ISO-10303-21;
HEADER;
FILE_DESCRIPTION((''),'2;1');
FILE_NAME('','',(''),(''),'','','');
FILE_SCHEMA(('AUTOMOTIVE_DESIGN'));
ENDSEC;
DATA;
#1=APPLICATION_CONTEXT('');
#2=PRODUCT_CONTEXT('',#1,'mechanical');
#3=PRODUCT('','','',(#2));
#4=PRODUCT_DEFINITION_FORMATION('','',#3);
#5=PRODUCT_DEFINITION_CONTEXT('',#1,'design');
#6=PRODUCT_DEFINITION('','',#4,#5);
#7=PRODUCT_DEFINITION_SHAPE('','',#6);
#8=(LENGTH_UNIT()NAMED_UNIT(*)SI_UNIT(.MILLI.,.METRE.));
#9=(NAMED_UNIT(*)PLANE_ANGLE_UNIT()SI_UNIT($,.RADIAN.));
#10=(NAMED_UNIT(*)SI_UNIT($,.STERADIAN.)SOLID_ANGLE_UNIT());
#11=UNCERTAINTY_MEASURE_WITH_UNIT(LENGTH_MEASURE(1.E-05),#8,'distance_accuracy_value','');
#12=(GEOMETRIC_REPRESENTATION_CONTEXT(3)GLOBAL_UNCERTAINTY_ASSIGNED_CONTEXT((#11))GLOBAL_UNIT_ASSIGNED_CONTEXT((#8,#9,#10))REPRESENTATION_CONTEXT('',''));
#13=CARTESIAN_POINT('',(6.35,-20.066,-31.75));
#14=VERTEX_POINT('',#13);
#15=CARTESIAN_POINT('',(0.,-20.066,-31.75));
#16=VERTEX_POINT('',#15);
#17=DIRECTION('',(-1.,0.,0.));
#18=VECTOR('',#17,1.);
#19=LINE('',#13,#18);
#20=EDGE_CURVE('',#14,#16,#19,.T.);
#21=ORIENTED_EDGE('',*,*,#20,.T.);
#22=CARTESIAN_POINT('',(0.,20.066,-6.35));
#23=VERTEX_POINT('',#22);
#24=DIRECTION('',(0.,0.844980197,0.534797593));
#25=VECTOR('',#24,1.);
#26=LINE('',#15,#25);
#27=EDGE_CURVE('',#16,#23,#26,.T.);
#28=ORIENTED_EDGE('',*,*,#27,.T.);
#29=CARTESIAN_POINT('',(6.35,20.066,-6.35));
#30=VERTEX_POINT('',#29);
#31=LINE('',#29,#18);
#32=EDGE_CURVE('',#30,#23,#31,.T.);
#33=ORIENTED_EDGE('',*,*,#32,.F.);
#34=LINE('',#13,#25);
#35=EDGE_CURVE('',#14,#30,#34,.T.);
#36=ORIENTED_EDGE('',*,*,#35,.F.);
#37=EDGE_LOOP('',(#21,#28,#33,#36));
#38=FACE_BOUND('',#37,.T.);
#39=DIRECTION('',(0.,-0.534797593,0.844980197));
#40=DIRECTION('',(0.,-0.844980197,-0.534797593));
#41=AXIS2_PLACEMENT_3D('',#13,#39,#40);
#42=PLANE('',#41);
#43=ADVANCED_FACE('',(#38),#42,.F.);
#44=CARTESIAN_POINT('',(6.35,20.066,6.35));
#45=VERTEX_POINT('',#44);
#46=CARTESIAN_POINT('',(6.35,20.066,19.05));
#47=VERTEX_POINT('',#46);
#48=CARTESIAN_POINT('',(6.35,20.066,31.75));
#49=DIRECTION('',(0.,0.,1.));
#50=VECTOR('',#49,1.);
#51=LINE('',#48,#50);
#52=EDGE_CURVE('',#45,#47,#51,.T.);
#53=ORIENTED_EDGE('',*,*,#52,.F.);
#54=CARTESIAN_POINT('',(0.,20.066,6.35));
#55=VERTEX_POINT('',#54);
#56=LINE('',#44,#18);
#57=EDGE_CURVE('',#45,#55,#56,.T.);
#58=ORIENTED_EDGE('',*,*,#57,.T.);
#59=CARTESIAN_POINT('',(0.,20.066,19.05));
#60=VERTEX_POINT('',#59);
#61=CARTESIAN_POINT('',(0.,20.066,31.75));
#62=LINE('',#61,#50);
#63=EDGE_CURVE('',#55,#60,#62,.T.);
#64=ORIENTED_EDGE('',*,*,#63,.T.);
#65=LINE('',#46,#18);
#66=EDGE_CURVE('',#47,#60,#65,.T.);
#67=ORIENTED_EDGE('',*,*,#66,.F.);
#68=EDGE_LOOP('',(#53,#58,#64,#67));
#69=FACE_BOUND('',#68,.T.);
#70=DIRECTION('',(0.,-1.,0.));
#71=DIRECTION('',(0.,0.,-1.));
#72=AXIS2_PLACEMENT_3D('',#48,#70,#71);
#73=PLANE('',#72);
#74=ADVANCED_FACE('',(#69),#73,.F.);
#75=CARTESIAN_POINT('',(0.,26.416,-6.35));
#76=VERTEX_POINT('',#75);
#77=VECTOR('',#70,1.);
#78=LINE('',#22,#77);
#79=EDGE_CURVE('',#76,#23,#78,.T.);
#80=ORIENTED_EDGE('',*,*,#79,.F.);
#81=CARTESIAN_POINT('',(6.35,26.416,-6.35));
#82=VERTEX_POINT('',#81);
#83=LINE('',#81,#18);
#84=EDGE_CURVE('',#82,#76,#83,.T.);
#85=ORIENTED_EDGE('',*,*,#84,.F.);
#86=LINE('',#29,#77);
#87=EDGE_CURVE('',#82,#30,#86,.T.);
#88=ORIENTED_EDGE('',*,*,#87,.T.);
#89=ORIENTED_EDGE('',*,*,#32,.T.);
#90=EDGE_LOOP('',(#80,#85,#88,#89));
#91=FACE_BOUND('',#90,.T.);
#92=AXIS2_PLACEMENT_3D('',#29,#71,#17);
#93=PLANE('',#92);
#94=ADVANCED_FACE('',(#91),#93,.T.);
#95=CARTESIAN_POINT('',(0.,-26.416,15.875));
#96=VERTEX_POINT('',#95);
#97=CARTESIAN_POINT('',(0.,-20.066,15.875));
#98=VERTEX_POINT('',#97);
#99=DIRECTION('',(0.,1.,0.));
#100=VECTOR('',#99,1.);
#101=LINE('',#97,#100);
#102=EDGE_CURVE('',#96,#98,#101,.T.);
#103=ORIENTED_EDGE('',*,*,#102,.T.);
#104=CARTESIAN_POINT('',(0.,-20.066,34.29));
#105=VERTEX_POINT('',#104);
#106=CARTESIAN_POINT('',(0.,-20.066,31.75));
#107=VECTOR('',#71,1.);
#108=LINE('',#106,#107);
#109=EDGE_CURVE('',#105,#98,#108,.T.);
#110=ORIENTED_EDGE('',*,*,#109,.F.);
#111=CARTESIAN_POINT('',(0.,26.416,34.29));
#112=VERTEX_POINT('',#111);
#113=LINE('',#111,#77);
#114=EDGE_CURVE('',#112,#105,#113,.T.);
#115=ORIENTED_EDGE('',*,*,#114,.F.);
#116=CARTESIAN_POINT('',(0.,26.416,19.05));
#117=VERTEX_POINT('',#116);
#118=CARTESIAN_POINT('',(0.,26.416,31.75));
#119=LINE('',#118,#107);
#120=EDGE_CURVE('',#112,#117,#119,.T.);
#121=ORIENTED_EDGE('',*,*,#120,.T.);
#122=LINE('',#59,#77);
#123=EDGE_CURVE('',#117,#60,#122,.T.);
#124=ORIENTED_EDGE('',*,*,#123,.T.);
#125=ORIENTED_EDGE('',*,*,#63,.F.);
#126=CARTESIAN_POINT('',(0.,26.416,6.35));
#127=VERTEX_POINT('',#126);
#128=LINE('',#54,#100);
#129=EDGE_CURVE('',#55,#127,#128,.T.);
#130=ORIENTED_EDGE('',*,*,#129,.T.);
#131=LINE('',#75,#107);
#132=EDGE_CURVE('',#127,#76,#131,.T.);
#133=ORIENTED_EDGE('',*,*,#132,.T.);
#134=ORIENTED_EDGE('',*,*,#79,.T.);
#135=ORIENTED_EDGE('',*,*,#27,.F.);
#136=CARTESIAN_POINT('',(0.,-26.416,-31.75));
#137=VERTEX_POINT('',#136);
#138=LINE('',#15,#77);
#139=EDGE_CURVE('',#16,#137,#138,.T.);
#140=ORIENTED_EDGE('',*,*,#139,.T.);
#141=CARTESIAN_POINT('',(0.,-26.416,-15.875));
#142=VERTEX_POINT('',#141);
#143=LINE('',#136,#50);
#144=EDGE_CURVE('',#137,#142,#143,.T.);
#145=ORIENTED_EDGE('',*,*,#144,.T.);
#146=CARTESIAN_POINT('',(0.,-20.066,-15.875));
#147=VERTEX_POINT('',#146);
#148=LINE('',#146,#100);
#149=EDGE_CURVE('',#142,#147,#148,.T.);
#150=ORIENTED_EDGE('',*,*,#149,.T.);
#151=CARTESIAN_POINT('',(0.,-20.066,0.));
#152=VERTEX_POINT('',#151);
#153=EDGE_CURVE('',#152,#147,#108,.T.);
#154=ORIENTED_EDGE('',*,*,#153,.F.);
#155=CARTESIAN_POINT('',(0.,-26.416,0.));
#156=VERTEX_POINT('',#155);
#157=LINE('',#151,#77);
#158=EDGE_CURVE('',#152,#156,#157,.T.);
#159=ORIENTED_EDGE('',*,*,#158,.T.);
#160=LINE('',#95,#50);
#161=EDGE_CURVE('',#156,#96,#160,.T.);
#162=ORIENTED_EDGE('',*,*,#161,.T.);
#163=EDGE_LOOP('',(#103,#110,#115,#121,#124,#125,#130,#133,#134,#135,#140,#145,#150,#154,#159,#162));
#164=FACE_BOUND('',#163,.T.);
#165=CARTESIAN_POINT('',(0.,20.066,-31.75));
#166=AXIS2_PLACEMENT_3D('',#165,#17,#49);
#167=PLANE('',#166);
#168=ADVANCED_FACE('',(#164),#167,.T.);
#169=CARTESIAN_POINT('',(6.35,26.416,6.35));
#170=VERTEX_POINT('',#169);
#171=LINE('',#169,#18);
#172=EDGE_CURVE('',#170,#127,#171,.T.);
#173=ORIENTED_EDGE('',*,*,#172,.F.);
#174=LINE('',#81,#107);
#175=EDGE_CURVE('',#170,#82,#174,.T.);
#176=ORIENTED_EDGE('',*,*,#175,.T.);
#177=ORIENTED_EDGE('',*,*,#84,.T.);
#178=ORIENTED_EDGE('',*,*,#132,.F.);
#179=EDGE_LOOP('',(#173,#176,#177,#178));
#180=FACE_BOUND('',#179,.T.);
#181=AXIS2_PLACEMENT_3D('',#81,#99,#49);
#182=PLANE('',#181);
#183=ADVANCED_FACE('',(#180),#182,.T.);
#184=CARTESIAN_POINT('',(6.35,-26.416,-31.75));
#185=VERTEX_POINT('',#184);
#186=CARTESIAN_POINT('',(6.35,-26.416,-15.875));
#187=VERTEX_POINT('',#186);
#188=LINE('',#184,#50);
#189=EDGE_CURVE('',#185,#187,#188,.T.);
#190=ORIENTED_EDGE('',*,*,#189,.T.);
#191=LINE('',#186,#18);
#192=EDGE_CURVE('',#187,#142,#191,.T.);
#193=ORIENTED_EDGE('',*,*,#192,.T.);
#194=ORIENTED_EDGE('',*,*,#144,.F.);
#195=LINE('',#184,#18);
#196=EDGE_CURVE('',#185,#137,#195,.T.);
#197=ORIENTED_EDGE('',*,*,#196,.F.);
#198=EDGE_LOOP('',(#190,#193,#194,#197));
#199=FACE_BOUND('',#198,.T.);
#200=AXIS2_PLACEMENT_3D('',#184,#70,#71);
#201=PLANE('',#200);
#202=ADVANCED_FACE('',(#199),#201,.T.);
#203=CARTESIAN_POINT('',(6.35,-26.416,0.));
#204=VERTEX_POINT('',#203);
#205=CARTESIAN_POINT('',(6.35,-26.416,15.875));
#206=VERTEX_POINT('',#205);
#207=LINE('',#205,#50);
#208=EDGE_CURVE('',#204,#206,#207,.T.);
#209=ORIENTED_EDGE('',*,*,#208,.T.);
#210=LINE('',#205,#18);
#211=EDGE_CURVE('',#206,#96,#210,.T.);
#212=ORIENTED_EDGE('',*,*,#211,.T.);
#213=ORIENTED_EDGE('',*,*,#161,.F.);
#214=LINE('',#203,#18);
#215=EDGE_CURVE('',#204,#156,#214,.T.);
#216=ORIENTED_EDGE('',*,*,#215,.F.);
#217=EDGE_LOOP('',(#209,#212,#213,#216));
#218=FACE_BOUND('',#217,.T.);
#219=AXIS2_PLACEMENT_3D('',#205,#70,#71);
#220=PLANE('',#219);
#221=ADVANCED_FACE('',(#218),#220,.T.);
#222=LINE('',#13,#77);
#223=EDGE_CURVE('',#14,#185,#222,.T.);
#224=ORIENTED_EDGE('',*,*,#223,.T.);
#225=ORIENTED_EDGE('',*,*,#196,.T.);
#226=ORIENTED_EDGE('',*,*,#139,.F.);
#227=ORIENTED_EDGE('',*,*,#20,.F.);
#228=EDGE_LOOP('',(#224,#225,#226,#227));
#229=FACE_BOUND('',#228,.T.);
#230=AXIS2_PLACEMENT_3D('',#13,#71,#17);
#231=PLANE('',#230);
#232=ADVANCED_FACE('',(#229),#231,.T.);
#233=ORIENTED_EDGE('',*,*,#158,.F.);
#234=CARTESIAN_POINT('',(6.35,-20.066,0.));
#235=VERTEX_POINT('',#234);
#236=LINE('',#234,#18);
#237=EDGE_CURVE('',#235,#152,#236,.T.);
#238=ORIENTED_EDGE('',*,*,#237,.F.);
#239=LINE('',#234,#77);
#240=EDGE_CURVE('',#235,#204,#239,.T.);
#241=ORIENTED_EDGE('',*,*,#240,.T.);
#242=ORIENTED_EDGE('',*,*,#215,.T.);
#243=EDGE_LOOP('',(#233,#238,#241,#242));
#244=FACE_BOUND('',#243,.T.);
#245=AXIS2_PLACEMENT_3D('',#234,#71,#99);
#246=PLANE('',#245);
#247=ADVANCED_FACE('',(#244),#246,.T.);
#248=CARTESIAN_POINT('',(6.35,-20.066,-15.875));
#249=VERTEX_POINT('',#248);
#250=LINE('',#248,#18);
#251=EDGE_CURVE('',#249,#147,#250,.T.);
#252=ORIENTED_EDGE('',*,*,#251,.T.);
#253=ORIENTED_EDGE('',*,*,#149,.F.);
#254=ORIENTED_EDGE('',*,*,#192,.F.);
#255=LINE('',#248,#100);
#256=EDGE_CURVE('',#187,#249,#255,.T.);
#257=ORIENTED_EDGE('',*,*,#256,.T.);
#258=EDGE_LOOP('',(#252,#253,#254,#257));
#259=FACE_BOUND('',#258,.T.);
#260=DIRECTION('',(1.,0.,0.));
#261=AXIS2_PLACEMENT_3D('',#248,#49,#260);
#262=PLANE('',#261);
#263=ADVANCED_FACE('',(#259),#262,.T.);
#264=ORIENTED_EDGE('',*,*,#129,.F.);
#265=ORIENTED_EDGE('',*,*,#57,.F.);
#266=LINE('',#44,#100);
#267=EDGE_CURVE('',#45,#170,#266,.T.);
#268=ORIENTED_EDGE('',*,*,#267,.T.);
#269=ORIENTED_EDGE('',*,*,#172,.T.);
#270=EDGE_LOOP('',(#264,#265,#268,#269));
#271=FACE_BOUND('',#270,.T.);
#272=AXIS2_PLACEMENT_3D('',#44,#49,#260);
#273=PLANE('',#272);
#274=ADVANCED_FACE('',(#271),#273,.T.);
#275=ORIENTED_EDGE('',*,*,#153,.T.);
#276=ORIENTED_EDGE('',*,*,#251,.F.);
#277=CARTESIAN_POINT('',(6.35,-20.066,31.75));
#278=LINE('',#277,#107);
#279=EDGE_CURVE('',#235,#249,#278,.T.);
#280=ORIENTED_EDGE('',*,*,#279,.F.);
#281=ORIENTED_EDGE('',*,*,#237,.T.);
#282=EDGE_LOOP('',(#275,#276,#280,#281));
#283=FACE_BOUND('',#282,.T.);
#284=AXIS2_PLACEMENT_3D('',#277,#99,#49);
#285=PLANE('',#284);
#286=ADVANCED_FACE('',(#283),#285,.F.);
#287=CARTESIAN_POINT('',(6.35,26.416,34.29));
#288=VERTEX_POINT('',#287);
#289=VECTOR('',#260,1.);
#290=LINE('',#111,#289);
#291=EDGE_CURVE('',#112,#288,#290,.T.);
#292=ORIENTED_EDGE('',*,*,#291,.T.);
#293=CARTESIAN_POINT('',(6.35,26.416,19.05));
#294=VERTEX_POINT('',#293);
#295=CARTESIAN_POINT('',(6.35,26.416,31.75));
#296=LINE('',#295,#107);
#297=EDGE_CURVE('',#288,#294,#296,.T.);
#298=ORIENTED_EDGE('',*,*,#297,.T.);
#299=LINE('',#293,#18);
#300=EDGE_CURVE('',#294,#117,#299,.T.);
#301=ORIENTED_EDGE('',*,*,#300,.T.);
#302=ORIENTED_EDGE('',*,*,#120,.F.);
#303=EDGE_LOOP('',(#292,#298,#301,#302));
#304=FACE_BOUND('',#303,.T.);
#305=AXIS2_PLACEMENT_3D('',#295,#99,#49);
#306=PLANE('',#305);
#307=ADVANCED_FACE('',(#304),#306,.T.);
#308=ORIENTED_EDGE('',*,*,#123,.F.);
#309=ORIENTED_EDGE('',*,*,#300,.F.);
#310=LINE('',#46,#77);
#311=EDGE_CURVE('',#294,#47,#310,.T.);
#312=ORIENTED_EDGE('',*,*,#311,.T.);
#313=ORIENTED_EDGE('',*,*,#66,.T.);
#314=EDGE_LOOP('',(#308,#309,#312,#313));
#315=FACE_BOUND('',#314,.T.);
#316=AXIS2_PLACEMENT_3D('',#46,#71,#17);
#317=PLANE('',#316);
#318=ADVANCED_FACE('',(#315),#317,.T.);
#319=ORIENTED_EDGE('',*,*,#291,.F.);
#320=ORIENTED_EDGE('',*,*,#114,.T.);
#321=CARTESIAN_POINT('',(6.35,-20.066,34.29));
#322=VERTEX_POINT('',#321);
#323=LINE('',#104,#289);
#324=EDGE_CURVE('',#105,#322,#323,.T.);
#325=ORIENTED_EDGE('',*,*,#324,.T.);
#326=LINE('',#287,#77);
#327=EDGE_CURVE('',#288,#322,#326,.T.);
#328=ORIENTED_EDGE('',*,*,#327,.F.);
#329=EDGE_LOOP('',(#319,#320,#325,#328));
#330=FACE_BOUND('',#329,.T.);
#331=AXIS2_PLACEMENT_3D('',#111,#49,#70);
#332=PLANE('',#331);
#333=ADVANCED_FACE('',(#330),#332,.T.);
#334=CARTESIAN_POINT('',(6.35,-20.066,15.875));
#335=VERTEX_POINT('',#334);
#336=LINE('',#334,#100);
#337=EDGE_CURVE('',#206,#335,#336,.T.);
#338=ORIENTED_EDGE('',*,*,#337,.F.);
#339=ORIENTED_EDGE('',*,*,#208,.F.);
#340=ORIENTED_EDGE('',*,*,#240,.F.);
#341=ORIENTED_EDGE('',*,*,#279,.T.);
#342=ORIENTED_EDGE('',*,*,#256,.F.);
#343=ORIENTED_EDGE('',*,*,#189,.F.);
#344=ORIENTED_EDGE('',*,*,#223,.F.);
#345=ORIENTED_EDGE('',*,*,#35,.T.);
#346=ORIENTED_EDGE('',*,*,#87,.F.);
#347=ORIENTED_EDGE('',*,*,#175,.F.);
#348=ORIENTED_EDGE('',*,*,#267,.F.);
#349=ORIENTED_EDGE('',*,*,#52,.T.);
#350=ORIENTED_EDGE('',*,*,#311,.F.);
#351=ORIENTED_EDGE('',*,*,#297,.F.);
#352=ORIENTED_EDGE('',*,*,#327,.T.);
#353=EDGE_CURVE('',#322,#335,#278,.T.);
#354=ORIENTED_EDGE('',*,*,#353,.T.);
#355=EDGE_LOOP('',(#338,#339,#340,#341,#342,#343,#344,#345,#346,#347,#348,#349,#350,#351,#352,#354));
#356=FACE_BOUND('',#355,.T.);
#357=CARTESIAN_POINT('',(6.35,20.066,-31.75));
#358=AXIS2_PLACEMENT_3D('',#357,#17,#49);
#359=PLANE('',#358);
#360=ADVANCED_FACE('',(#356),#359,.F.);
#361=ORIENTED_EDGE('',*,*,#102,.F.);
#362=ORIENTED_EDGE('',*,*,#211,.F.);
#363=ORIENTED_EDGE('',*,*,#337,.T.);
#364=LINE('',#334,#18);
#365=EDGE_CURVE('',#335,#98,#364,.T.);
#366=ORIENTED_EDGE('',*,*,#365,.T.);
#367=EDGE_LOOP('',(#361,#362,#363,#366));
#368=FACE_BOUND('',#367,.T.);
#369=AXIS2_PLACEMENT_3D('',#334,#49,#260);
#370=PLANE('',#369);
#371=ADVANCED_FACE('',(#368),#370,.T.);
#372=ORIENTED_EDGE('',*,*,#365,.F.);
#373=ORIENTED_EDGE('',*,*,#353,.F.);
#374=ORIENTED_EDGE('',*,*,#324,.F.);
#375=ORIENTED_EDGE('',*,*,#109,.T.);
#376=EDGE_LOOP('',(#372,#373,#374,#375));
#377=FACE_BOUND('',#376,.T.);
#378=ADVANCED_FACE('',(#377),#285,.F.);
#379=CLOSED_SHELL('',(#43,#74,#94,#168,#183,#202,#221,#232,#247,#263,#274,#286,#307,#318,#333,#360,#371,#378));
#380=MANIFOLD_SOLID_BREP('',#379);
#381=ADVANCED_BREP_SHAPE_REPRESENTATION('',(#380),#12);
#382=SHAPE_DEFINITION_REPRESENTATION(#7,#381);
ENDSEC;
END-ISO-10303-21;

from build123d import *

# Parameters (mm, degrees)
SKETCH1_W           = 63.5
SKETCH1_H           = 40.132
BOSS_EXTRUDE1_DEPTH = 6.35
CUT_EXTRUDE1_DEPTH  = 7.35
SKETCH3_W           = 12.7
SKETCH3_H           = 6.35
SKETCH3_W_2         = 15.875
BOSS_EXTRUDE2_DEPTH = 6.35
SKETCH4_W           = 2.54
SKETCH4_H           = 37.084
BOSS_EXTRUDE7_DEPTH = 6.35
SKETCH6_W           = 2.54
SKETCH6_H           = 46.482
BOSS_EXTRUDE8_DEPTH = 6.35


with BuildPart() as part:
    # Sketch1 → Boss-Extrude1 (new body)
    with BuildSketch(Plane(origin=(0, 0, 0), x_dir=(0, 0, -1), z_dir=(1, 0, 0))):
        Rectangle(SKETCH1_W, SKETCH1_H)
    extrude(amount=BOSS_EXTRUDE1_DEPTH)

    # Sketch2 → Cut-Extrude1 (cut, through all)
    with BuildSketch(Plane.ZY):
        Polygon((-31.75, -20.066), (-31.75, 20.066), (-6.35, 20.066), align=None)
    extrude(amount=-CUT_EXTRUDE1_DEPTH, mode=Mode.SUBTRACT)

    # Sketch3 → Boss-Extrude2 (add, through all)
    with BuildSketch(Plane.ZY):
        with Locations((25.4, 23.241)):
            Rectangle(SKETCH3_W, SKETCH3_H)
        with Locations((0, 23.241)):
            Rectangle(SKETCH3_W, SKETCH3_H)
        with Locations((7.9375, -23.241)):
            Rectangle(SKETCH3_W_2, SKETCH3_H)
        with Locations((-23.8125, -23.241)):
            Rectangle(SKETCH3_W_2, SKETCH3_H)
    extrude(amount=-BOSS_EXTRUDE2_DEPTH)

    # Sketch4 → Boss-Extrude7 (add)
    with BuildSketch(Plane.ZY):
        with Locations((30.48, 2.667)):
            Rectangle(SKETCH4_W, SKETCH4_H)
    extrude(amount=-BOSS_EXTRUDE7_DEPTH)

    # Sketch6 → Boss-Extrude8 (add)
    with BuildSketch(Plane(origin=(6.35, 0, 0), x_dir=(0, 0, -1), z_dir=(1, 0, 0))):
        with Locations((-33.02, 3.175)):
            Rectangle(SKETCH6_W, SKETCH6_H)
    extrude(amount=-BOSS_EXTRUDE8_DEPTH)


solid = part.part
